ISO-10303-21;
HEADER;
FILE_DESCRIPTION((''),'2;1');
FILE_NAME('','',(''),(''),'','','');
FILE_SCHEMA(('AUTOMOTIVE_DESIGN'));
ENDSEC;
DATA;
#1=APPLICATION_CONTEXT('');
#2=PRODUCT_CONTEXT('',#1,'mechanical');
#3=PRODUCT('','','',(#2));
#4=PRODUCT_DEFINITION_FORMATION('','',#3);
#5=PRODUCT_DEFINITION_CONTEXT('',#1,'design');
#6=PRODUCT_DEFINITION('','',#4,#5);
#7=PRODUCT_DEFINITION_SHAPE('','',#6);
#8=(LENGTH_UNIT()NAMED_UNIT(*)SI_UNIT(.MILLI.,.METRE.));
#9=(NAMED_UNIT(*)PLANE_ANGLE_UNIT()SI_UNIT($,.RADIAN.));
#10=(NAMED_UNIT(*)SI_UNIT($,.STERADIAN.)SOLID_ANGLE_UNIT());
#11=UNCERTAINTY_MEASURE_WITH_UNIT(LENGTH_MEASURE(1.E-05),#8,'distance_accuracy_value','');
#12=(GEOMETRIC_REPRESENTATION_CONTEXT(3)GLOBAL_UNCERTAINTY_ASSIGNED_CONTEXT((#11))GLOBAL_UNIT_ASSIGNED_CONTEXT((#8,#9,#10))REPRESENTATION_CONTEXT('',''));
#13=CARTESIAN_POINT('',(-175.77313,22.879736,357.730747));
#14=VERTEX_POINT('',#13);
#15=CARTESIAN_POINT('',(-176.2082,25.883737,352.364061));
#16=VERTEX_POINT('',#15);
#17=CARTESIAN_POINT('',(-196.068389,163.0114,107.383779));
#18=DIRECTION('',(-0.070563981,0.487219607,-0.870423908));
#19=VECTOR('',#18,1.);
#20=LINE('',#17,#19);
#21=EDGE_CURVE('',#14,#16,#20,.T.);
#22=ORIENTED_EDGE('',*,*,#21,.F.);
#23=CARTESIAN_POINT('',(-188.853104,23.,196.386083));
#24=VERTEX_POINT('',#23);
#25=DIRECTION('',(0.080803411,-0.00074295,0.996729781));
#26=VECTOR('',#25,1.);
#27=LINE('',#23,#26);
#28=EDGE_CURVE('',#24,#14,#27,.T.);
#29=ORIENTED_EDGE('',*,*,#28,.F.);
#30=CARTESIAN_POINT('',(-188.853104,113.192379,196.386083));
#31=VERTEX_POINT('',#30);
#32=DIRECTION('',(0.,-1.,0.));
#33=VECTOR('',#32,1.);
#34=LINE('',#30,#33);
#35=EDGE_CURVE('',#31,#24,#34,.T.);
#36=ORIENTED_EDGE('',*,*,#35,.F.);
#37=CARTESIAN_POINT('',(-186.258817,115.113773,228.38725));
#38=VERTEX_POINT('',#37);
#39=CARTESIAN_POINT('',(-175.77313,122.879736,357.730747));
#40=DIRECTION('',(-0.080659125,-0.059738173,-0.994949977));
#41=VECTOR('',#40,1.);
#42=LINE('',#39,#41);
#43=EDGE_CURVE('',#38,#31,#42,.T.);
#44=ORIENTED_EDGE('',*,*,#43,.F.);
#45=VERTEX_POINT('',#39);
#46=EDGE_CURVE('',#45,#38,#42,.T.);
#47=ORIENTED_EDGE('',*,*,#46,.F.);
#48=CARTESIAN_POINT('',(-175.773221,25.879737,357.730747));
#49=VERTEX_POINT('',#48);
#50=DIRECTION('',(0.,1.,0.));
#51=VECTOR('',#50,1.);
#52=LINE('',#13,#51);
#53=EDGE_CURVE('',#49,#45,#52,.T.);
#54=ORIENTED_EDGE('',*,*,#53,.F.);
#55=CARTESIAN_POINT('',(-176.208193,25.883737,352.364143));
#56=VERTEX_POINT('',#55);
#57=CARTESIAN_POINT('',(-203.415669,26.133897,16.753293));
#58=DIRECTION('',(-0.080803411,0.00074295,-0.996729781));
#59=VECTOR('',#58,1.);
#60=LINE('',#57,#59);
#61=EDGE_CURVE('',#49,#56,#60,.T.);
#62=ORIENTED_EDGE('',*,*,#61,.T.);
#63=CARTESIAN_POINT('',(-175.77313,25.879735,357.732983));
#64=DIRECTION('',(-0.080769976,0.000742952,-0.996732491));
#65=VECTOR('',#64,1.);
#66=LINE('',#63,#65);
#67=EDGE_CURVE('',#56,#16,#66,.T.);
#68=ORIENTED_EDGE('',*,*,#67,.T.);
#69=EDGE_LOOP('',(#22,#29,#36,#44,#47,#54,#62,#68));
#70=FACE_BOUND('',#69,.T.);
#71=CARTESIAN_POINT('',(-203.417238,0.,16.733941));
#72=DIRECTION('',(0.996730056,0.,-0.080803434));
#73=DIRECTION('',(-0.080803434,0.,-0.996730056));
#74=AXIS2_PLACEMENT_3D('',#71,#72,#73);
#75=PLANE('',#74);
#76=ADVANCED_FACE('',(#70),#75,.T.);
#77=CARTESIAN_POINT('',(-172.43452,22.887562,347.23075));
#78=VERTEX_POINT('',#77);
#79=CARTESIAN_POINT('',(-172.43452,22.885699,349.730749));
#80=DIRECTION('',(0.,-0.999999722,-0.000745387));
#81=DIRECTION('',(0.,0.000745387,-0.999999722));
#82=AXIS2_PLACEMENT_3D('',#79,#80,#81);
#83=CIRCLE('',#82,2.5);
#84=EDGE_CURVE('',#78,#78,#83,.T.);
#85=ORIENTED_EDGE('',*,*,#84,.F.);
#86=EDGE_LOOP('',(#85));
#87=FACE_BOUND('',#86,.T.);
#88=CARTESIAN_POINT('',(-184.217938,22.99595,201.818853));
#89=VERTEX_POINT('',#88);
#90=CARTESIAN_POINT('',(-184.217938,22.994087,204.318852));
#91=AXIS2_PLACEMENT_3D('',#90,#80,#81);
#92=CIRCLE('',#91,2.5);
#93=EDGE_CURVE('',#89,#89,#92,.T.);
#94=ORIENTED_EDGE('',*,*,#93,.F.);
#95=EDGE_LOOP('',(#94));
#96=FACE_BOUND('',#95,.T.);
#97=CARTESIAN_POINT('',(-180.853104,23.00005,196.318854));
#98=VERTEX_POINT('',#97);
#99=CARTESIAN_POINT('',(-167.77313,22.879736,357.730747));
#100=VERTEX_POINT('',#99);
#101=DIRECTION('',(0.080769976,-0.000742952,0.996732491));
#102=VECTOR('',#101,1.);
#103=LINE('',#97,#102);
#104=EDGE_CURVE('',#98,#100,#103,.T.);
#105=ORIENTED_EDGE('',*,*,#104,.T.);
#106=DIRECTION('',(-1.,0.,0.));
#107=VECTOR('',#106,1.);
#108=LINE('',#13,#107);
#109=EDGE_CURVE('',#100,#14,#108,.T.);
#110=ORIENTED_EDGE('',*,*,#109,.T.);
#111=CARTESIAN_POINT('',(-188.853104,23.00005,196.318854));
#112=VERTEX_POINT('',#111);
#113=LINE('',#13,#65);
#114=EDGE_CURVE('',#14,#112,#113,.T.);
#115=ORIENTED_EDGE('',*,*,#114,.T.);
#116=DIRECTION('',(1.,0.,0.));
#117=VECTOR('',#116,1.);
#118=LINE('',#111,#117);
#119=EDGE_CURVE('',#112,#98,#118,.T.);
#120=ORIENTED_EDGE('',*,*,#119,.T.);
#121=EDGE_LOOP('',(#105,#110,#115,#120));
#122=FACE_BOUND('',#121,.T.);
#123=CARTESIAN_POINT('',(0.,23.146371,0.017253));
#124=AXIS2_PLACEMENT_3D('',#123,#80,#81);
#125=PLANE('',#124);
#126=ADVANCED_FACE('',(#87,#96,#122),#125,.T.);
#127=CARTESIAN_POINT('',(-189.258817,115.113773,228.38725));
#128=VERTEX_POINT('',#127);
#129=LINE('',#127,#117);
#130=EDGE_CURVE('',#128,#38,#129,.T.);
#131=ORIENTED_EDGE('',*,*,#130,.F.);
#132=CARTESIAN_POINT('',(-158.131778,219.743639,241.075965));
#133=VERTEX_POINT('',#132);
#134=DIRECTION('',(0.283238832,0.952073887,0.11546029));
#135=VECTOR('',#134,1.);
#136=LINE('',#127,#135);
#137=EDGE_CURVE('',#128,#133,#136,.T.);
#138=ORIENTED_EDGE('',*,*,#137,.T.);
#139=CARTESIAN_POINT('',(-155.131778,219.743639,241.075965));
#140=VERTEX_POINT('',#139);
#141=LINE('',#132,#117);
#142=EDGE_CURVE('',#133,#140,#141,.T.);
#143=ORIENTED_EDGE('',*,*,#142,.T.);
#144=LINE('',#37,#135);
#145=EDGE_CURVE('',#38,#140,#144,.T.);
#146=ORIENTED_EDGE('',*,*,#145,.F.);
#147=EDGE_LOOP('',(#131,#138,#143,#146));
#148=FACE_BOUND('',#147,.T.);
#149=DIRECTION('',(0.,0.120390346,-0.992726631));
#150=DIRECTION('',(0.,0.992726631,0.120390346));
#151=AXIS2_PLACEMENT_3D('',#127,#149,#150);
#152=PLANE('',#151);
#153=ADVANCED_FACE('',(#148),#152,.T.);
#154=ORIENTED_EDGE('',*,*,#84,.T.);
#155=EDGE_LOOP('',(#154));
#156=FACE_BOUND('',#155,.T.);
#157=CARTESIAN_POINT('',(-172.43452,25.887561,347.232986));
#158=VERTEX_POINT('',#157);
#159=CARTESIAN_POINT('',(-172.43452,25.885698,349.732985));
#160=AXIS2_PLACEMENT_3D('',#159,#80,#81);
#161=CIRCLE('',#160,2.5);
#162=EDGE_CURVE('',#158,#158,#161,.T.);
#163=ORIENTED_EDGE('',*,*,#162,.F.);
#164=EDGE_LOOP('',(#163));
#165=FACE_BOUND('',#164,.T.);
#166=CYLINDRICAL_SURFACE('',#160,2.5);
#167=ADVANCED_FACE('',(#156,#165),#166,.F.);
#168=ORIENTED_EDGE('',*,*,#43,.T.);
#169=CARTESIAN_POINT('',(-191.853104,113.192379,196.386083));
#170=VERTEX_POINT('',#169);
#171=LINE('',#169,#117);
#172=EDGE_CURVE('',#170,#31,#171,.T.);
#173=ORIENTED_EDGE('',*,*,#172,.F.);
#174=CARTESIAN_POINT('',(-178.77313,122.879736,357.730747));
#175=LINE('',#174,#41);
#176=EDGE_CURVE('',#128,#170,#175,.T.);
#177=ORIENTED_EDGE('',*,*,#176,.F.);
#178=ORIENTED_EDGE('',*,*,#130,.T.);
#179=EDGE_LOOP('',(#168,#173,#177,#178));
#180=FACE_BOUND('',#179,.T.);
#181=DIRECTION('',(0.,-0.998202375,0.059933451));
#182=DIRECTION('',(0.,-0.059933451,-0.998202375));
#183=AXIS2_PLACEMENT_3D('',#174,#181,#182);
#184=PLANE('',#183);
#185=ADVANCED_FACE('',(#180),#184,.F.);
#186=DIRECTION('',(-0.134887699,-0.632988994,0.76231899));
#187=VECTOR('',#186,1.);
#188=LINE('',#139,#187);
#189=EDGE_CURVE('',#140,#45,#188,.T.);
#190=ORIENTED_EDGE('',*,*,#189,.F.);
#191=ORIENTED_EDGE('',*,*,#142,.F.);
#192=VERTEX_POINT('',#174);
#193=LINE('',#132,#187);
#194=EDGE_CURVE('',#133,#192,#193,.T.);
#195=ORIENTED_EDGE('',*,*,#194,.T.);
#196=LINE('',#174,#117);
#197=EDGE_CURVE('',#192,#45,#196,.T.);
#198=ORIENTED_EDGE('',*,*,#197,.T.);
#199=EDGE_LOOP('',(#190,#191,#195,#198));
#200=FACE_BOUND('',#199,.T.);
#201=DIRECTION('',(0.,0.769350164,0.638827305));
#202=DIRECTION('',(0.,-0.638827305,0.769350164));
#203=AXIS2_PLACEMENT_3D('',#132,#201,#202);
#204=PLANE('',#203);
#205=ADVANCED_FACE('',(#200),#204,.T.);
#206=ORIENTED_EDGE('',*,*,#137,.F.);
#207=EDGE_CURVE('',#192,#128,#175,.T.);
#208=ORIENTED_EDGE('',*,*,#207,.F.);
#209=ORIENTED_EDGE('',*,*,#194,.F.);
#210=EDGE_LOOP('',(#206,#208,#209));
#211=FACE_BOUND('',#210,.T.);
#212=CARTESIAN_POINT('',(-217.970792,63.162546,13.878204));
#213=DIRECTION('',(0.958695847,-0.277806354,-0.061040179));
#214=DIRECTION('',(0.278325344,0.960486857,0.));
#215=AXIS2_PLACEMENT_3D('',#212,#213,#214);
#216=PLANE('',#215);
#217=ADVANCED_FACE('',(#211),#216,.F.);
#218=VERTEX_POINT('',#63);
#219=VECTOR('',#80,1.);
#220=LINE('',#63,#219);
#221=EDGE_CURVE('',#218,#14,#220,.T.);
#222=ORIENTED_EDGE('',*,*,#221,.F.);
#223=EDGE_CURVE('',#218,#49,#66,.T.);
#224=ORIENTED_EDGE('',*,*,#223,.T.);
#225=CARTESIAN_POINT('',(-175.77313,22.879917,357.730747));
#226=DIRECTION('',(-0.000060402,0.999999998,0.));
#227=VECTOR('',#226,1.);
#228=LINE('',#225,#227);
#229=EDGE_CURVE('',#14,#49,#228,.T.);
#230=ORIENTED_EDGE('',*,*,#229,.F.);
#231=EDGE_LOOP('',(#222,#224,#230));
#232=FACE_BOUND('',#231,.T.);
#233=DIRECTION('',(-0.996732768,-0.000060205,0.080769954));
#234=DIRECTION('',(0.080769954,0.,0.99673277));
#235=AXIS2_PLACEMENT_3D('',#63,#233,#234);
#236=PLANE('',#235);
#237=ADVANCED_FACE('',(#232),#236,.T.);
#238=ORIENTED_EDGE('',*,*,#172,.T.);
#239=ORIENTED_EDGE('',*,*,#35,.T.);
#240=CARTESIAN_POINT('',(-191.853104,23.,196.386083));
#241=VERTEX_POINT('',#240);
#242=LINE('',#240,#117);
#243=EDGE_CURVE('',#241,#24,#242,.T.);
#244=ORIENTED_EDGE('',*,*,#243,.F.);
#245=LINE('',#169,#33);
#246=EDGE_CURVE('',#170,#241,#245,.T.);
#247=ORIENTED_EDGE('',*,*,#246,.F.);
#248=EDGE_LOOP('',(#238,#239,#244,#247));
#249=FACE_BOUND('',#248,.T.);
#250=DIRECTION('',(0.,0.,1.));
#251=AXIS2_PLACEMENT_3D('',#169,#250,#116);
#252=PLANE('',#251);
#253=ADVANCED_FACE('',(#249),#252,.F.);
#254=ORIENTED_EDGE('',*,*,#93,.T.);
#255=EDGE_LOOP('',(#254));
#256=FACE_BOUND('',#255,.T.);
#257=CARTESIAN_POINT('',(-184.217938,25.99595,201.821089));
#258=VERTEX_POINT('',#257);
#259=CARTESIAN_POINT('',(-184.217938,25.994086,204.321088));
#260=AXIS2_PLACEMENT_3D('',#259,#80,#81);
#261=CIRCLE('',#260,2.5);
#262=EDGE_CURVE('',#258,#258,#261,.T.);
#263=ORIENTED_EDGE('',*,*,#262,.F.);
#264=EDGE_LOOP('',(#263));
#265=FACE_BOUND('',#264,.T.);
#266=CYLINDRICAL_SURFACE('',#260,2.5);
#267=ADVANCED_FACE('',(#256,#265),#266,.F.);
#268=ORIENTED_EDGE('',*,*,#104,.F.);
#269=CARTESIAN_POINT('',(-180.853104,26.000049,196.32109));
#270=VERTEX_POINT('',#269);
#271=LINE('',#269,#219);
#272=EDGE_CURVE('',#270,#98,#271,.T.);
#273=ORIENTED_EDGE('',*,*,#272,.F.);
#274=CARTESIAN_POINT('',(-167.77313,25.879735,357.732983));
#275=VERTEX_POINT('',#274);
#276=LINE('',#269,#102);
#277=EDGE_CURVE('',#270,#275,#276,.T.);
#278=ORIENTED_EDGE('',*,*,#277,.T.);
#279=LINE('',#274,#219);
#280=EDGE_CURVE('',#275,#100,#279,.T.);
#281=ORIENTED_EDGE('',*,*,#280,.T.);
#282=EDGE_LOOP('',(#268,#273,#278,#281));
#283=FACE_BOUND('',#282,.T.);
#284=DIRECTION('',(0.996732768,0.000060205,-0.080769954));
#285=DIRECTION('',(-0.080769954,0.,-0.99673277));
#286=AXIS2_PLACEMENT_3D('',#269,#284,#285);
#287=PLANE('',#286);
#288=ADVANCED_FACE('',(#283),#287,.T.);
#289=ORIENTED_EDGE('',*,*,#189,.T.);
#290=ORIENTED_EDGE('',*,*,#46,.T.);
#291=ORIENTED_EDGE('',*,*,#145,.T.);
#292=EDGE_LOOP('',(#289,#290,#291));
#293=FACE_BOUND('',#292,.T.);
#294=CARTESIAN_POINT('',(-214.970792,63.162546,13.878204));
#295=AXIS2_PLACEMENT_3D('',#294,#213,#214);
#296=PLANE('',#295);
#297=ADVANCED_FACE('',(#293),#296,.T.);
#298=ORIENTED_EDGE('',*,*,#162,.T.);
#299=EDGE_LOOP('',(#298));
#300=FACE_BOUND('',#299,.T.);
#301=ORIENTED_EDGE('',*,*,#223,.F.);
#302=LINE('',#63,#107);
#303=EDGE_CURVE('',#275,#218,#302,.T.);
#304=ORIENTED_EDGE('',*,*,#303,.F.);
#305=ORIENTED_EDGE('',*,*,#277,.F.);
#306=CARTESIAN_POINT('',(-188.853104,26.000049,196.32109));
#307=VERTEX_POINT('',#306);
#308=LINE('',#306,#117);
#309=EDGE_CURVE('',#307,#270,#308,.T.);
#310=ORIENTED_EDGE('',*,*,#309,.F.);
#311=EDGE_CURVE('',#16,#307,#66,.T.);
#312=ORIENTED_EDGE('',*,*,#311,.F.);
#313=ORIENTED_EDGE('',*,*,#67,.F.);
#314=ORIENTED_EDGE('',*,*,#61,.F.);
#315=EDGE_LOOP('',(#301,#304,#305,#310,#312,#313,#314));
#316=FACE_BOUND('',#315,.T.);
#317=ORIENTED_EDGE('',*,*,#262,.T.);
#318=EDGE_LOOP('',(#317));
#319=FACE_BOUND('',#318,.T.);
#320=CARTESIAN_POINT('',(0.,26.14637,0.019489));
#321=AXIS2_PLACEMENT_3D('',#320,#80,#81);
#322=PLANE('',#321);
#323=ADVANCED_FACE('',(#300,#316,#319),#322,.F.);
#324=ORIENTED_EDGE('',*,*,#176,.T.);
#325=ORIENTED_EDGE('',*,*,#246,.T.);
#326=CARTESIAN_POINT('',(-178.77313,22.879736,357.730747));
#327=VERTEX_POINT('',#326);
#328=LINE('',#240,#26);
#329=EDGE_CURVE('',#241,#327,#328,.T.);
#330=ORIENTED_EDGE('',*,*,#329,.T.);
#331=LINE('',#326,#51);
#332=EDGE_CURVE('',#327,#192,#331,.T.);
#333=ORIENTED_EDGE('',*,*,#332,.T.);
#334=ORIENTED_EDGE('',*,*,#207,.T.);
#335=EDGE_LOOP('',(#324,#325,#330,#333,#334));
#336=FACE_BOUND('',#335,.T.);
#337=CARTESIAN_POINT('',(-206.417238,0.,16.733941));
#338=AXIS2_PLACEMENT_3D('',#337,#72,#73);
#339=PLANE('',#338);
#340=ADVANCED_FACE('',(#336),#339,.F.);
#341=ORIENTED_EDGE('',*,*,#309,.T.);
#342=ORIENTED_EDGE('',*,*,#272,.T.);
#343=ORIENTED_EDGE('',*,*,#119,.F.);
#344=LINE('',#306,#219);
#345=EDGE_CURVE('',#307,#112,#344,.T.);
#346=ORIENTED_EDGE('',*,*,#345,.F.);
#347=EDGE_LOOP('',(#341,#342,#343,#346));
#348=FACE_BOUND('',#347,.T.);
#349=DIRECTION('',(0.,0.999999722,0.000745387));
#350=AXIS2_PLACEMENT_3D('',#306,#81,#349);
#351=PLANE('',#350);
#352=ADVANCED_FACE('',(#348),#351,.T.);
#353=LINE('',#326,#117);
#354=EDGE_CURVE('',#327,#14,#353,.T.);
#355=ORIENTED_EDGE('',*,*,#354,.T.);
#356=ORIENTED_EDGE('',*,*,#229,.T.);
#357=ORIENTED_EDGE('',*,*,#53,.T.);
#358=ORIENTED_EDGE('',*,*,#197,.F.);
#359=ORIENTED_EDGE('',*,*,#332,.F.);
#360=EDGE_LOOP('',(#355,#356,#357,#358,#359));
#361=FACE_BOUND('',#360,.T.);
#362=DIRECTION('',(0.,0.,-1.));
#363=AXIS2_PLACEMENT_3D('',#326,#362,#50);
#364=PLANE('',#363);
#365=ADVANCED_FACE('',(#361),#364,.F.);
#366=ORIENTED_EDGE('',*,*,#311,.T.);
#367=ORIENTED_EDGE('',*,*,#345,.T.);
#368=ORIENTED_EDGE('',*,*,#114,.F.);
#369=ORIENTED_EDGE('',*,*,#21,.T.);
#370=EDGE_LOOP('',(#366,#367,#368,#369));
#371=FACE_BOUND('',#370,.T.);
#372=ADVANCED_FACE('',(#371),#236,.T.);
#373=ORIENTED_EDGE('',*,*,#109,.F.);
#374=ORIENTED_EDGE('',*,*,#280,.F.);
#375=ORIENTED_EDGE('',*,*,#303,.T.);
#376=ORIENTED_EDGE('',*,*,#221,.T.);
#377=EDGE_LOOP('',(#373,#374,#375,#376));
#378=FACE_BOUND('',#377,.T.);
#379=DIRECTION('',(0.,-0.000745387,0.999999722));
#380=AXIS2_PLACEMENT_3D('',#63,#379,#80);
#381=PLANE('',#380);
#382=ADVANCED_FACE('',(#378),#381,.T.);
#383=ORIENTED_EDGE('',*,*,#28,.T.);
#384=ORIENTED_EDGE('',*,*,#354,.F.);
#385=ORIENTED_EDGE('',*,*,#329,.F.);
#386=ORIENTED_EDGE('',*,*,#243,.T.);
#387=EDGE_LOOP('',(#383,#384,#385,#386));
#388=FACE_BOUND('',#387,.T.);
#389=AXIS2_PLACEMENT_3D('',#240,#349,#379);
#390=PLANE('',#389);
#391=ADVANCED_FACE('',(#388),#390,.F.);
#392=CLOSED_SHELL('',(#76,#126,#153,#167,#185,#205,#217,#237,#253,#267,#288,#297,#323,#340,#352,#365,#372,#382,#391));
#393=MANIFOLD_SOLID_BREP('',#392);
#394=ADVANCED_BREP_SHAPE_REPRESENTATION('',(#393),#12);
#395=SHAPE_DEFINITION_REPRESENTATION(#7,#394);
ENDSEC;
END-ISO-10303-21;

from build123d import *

# Parameters (mm, degrees)
BOSS_EXTRUDE1_DEPTH = 3
SKETCH1_R           = 2.5
BOSS_EXTRUDE2_DEPTH = 3
BOSS_EXTRUDE5_DEPTH = 3


with BuildPart() as part:
    # 3DSketch1 → Boss-Extrude1 (new, along a direction that is not the sketch's normal)
    with BuildSketch(Plane(origin=(-191.853103939, 23, 196.386082525), x_dir=(0.06876662353575062, 0.5251074950069344, 0.8482530696525858), z_dir=(0.9967300562972695, 0, -0.08080343355106794))):
        Polygon((0, 0), (137.697420516, 85.103590916), (190.208170017, 0), (47.360694134, -76.756953147), align=None)
    extrude(amount=BOSS_EXTRUDE1_DEPTH, dir=(1, 0, 0))

    # Sketch1 → Boss-Extrude2 (add)
    with BuildSketch(Plane(origin=(0, 23.146370891, 0.017253018), x_dir=(1, 0, 0), z_dir=(0, -0.9999997221987764, -0.000745387395963266))):
        Polygon((-175.773130318, 357.71359297), (-167.773130318, 357.71359297), (-180.853103939, 196.301655796), (-188.853103939, 196.301655796), align=None)
        with Locations(Location((-172.434519968, 349.71359297, 0), (0, 0, 270))):
            Circle(SKETCH1_R, mode=Mode.SUBTRACT)
        with Locations(Location((-184.217937823, 204.301655796, 0), (0, 0, 270))):
            Circle(SKETCH1_R, mode=Mode.SUBTRACT)
    extrude(amount=-BOSS_EXTRUDE2_DEPTH)

    # 3DSketch2 → Boss-Extrude5 (add, along a direction that is not the sketch's normal)
    with BuildSketch(Plane(origin=(-189.258816585, 115.113773206, 228.387249638), x_dir=(0.08065912513094323, 0.05973817293580263, 0.99494997674627), z_dir=(-0.9586958466573331, 0.27780635378188856, 0.06104017857437458))):
        Polygon((0, 0), (21.385713883, 107.795899991), (130, 0), align=None)
    extrude(amount=-BOSS_EXTRUDE5_DEPTH, dir=(-1, 0, 0))


solid = part.part
